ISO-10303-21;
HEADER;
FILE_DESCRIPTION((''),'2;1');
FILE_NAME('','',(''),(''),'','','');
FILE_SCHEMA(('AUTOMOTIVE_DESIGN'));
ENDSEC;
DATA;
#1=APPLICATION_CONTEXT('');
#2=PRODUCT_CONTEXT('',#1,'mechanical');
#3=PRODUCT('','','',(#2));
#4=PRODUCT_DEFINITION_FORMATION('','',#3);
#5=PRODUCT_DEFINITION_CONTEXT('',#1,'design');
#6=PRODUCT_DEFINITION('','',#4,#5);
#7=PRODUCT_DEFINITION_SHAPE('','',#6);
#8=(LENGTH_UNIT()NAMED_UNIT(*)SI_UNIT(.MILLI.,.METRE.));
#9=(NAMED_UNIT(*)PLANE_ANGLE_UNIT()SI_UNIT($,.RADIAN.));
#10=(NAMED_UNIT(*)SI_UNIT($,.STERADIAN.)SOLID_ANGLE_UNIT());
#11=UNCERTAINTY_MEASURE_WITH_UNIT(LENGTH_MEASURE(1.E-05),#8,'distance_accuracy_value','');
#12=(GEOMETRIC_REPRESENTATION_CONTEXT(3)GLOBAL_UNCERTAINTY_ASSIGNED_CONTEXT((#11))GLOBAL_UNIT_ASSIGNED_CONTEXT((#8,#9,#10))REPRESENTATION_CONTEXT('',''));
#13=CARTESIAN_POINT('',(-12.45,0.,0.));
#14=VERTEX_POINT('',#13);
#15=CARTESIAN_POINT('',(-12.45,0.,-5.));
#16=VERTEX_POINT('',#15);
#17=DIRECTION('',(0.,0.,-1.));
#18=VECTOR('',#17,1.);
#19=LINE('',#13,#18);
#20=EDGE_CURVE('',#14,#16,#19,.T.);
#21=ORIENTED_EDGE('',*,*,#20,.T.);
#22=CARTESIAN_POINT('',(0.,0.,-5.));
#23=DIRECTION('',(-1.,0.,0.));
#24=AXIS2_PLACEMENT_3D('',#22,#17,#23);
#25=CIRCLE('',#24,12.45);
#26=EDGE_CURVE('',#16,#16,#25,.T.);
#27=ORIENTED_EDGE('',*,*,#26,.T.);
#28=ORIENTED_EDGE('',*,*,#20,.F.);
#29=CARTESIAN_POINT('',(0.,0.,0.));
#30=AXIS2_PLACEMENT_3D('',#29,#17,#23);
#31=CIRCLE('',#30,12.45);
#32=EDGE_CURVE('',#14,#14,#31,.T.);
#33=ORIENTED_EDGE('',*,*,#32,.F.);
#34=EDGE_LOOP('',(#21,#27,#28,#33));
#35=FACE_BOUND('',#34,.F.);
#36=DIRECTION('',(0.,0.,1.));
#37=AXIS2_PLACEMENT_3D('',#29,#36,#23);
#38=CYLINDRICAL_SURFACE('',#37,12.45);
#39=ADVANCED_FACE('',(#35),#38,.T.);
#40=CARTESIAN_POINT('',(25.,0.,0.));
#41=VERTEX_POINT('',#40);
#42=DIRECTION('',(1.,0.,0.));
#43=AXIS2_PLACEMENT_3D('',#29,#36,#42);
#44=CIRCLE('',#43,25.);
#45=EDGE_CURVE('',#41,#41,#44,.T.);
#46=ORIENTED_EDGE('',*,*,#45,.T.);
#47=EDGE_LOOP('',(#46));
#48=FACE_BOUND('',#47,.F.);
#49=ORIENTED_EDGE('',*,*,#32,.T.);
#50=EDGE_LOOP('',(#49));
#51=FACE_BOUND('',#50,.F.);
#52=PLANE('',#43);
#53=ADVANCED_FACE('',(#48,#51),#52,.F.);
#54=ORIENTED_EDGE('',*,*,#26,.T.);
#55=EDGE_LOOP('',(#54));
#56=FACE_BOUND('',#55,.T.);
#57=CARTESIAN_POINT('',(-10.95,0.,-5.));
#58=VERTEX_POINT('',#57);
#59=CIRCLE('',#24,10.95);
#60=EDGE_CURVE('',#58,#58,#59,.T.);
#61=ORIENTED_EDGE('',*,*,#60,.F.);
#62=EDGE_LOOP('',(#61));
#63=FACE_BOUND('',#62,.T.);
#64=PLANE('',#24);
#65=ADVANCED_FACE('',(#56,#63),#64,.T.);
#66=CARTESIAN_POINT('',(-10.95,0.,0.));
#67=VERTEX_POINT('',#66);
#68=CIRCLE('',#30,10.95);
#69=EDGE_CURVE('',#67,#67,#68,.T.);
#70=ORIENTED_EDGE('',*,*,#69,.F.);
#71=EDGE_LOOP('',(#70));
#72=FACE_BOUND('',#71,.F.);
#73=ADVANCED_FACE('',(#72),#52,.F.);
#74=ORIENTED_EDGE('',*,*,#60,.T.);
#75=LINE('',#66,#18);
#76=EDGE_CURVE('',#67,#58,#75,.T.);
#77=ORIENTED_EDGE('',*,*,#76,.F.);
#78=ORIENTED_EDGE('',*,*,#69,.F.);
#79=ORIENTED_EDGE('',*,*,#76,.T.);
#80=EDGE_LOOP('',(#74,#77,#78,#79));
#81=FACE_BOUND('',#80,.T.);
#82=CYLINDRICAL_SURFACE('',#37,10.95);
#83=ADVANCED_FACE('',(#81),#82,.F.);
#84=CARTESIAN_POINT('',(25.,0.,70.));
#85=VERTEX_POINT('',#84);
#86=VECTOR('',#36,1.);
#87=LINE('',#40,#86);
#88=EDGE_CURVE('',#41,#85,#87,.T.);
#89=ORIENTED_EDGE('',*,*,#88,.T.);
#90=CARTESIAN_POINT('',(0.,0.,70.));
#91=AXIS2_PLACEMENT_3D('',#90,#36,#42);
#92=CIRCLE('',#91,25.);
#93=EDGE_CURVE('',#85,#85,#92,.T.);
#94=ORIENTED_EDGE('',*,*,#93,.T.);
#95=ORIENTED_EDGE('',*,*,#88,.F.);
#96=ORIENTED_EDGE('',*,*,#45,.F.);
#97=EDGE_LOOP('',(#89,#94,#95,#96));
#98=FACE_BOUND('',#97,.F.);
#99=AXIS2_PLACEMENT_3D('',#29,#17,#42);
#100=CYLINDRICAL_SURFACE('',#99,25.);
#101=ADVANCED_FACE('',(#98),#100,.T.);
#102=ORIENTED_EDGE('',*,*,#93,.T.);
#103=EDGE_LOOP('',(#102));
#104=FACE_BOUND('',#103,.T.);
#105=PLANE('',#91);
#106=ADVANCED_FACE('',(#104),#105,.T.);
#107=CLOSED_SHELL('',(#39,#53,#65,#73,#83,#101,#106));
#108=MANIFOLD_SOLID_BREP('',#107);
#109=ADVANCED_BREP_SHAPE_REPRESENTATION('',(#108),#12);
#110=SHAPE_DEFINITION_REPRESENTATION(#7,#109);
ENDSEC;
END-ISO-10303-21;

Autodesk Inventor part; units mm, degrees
ref_plane "YZ Plane" through (0, 0, 0) normal (1, 0, 0) x (0, 1, 0)
ref_plane "XZ Plane" through (0, 0, 0) normal (0, 1, 0) x (-1, 0, 0)
ref_plane "XY Plane" through (0, 0, 0) normal (0, 0, 1) x (1, 0, 0)
sketch "Sketch1" plane through (0, 0, 0) normal (0, 0, 1) x (1, 0, 0)
  circle A0 centre (0, 0) radius 25
  dimension "d0" = 50
extrude "Lens Body" add sketch "Sketch1" along normal blind 70
sketch "Sketch2" plane through (0, 0, 0) normal (0, 0, -1) x (-1, 0, 0)
  circle A0 centre (0, 0) radius 12.45
  circle A1 centre (0, 0) radius 10.95
  dimension "d3" = 24.9
  dimension "d4" = 1.5
extrude "Camera Mount" add sketch "Sketch2" along normal blind 5
properties part number "35mmLens"
